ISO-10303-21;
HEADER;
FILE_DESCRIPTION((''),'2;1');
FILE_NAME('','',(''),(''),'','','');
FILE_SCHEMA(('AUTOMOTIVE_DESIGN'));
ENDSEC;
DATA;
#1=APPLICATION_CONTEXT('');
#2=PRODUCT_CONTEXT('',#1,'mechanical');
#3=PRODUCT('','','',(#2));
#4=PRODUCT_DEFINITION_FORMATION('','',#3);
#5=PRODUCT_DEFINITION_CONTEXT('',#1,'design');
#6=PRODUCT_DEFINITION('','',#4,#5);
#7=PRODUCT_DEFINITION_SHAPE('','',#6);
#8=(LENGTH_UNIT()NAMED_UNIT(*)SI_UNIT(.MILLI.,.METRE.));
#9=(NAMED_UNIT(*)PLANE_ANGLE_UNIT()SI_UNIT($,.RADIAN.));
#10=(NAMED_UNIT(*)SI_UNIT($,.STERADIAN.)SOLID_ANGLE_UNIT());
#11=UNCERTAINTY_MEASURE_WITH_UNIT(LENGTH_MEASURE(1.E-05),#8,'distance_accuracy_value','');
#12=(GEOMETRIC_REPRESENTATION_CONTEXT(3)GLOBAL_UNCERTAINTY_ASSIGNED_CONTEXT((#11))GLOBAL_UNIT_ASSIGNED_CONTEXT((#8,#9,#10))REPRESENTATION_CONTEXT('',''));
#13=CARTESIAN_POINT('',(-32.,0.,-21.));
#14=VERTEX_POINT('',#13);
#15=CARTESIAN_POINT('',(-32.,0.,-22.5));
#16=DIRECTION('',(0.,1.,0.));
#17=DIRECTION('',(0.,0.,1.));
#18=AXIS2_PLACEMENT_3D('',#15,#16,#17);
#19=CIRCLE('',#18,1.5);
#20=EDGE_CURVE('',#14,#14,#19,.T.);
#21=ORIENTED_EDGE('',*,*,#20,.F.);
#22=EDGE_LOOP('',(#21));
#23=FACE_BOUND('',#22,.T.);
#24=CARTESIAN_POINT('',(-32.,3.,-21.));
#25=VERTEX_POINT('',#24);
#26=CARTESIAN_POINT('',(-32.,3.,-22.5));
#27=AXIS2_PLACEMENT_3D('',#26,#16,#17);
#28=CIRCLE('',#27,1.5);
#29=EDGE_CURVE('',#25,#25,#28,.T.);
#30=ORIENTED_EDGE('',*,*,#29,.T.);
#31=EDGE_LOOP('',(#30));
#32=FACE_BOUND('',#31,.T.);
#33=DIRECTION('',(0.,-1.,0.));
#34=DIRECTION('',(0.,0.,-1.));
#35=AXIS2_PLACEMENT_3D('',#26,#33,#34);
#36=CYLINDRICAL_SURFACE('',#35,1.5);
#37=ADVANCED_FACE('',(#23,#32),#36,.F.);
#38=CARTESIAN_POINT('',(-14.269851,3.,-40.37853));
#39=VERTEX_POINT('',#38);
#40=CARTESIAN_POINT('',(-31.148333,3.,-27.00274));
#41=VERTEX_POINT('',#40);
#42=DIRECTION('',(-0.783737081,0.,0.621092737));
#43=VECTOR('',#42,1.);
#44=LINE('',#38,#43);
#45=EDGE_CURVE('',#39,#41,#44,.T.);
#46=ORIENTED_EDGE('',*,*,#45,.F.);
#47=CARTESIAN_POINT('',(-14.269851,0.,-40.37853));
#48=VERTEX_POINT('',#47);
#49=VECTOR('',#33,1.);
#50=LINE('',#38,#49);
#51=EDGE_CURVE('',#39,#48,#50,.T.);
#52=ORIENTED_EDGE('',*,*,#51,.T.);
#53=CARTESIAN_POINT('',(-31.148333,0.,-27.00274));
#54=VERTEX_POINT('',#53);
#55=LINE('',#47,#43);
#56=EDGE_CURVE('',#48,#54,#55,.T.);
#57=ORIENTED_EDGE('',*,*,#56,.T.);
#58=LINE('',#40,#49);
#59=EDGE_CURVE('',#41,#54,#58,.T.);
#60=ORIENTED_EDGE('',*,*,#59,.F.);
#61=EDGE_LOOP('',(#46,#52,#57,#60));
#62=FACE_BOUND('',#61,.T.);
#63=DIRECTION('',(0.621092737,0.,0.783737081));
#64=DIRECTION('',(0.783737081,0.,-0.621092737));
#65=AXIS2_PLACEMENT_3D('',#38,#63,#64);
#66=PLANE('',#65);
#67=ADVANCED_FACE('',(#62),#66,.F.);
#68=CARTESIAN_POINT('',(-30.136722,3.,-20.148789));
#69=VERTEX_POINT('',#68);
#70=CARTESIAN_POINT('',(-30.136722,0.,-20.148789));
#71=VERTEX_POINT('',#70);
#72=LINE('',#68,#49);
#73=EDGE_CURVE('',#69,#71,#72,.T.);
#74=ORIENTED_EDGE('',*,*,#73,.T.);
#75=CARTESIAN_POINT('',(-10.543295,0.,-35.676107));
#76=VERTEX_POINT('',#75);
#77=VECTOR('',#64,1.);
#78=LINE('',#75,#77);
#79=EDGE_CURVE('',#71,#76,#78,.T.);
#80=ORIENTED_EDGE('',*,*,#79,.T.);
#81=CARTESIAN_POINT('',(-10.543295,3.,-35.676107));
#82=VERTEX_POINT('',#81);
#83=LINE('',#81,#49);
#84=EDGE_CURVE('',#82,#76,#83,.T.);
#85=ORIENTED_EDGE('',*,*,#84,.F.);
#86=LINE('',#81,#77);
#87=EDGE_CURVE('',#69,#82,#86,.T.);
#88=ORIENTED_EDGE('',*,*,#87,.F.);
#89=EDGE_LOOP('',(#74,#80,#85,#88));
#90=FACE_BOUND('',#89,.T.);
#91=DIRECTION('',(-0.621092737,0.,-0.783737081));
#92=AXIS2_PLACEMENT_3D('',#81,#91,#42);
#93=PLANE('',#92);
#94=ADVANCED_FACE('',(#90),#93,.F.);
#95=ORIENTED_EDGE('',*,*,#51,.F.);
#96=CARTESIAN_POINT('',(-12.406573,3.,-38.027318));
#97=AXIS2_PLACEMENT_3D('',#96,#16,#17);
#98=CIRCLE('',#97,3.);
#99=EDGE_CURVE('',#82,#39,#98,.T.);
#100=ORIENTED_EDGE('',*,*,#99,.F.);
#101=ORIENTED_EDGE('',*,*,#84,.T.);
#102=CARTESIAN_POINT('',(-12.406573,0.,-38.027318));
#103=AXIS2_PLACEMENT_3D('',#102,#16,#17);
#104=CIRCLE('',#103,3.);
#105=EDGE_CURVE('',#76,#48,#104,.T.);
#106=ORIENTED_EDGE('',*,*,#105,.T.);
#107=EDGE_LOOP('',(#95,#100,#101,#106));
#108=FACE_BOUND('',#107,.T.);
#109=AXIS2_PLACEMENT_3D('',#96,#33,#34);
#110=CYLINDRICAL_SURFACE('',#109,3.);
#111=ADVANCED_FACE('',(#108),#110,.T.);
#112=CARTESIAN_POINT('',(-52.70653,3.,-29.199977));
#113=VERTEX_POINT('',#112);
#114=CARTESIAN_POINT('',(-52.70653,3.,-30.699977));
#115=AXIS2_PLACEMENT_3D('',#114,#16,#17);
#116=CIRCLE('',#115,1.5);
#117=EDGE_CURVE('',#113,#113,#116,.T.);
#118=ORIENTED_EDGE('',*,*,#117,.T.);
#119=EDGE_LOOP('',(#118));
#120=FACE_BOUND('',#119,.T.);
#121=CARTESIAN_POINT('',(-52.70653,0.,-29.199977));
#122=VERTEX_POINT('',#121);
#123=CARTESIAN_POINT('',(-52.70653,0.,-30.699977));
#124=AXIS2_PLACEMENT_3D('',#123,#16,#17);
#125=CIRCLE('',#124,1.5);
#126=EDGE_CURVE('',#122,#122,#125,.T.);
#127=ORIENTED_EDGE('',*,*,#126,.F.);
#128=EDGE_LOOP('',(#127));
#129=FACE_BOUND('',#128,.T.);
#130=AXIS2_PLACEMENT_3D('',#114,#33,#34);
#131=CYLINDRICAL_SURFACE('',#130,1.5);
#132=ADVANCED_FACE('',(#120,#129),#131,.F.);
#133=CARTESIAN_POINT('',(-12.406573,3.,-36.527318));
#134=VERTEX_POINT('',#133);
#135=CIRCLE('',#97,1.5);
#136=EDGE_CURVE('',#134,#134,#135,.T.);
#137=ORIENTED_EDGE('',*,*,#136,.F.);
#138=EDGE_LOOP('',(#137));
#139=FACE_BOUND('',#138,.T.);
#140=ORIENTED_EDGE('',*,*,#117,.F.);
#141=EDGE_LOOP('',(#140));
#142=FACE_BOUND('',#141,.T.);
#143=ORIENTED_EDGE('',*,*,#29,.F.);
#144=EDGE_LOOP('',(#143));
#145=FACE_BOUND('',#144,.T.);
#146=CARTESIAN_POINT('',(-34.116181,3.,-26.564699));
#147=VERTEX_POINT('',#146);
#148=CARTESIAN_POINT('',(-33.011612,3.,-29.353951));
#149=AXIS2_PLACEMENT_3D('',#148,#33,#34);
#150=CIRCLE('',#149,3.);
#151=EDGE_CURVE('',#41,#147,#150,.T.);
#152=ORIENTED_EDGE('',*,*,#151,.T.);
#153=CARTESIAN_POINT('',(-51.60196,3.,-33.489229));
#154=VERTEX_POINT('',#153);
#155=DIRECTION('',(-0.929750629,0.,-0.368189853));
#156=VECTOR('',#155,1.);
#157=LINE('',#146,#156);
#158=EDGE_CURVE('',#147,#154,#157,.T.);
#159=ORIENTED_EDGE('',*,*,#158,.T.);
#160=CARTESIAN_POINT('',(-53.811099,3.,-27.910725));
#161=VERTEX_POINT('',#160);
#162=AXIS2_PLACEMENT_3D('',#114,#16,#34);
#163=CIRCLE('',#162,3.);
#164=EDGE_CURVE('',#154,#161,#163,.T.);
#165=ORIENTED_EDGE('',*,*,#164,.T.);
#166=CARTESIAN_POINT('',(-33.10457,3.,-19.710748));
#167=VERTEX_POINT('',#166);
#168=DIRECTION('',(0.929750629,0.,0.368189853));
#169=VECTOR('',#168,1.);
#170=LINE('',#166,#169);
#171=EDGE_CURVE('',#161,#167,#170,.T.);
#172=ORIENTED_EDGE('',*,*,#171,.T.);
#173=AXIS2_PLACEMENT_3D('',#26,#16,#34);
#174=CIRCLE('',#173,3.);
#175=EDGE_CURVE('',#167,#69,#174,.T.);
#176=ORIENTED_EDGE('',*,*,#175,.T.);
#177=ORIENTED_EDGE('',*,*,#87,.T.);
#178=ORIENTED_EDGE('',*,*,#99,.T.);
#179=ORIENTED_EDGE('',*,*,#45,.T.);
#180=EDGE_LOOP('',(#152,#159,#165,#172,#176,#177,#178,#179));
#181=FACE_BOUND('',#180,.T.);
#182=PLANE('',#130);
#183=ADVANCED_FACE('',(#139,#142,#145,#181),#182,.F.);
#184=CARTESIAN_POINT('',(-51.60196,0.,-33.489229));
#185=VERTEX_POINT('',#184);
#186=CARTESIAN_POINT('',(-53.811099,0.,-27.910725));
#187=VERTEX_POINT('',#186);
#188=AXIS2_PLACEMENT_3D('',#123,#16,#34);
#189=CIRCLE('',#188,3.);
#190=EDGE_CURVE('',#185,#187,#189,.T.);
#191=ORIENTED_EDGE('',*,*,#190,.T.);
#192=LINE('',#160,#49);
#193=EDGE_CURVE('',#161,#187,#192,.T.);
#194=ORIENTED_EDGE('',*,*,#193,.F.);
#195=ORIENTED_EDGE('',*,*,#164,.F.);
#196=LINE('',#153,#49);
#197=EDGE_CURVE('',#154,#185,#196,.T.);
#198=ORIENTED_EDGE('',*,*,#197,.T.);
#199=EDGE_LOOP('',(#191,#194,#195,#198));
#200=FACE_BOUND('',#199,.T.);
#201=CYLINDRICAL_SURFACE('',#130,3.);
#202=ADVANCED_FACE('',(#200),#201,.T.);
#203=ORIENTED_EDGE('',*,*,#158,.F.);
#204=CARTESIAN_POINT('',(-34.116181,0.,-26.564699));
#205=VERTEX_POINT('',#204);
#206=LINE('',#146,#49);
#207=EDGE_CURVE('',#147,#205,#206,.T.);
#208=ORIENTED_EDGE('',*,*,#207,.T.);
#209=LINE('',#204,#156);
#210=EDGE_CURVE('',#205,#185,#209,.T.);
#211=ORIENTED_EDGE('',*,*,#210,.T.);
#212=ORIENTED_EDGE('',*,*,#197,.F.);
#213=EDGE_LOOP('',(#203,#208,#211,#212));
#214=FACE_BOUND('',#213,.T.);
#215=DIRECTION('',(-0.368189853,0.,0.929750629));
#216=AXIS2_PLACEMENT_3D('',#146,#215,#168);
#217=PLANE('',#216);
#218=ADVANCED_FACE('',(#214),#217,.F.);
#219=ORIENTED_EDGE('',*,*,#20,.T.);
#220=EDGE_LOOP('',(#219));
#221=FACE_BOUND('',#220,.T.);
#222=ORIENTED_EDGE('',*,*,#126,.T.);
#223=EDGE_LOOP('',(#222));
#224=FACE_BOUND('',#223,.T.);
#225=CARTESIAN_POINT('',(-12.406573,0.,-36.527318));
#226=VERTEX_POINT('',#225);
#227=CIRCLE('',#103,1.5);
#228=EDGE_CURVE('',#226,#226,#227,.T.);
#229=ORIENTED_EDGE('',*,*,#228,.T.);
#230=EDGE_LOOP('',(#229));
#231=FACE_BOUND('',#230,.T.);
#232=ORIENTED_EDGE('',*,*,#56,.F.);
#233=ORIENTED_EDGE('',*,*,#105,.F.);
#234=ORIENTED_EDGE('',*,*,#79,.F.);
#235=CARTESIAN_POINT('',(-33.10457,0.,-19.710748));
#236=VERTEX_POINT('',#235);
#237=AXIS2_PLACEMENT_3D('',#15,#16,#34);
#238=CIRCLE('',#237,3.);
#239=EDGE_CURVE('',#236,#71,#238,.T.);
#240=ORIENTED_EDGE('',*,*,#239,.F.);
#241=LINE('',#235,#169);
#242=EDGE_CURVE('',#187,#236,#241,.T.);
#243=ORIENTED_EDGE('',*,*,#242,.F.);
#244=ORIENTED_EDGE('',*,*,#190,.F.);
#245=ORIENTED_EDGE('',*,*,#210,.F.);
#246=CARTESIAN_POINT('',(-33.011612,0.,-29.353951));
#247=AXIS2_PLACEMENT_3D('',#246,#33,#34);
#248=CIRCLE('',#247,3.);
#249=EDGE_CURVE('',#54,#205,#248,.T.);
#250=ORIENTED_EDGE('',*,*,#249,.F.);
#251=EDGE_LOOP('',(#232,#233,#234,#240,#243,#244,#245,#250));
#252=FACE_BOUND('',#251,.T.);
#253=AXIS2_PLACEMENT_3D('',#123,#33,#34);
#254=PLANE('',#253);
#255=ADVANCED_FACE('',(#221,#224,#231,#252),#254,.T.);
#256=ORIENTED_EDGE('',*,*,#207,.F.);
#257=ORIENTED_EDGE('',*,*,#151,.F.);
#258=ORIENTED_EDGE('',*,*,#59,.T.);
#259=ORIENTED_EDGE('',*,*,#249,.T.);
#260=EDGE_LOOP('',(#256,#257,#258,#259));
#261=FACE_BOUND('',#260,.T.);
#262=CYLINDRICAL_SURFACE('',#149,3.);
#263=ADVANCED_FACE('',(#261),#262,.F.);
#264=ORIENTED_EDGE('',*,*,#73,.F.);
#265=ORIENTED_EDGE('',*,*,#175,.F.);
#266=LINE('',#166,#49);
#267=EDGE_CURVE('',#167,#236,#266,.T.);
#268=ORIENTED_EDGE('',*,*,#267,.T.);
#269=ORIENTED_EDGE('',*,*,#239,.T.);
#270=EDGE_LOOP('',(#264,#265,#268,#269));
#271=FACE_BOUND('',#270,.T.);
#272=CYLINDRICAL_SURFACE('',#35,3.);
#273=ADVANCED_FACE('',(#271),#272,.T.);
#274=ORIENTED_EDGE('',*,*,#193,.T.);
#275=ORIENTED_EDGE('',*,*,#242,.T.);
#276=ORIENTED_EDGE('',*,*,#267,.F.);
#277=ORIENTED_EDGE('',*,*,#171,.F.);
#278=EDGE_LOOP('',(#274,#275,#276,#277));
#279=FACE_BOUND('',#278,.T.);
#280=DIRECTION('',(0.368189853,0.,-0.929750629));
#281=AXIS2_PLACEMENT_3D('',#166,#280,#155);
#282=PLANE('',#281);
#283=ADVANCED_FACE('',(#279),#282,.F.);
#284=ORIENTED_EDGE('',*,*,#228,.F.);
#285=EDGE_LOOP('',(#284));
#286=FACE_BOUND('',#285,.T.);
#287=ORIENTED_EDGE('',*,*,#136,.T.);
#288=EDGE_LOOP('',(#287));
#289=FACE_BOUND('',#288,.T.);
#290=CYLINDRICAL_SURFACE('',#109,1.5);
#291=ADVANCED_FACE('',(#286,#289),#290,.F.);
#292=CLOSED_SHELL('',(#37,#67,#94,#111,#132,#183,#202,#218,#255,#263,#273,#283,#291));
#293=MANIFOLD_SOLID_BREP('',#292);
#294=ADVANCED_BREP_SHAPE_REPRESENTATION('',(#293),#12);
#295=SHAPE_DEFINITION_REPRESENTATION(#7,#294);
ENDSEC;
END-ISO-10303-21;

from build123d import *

# Parameters (mm, degrees)
SKETCH3_R           = 1.5
BOSS_EXTRUDE1_DEPTH = 3


with BuildPart() as part:
    # Sketch3 → Boss-Extrude1 (new body)
    with BuildSketch(Plane(origin=(0, 0, 0), x_dir=(1, 0, 0), z_dir=(0, 1, 0))):
        with BuildLine():
            Line((-14.269851191, 40.378529671), (-31.148333324, 27.002739596))
            ThreePointArc((-31.148333324, 27.002739596), (-32.573570891, 26.386103067), (-34.116181095, 26.564698952))
            Line((-34.116181095, 26.564698952), (-51.601960112, 33.489229262))
            ThreePointArc((-51.601960112, 33.489229262), (-55.495781558, 31.804546936), (-53.811099231, 27.910725489))
            Line((-53.811099231, 27.910725489), (-33.10456956, 19.710748113))
            ThreePointArc((-33.10456956, 19.710748113), (-31.561959356, 19.532152229), (-30.136721789, 20.148788758))
            Line((-30.136721789, 20.148788758), (-10.543294768, 35.676107187))
            ThreePointArc((-10.543294768, 35.676107187), (-10.055361737, 39.890596641), (-14.269851191, 40.378529671))
        make_face()
        with Locations(Location((-32, 22.5, 0), (0, 0, 270))):
            Circle(SKETCH3_R, mode=Mode.SUBTRACT)
        with Locations(Location((-52.706529672, 30.699977376, 0), (0, 0, 270))):
            Circle(SKETCH3_R, mode=Mode.SUBTRACT)
        with Locations(Location((-12.40657298, 38.027318429, 0), (0, 0, 270))):
            Circle(SKETCH3_R, mode=Mode.SUBTRACT)
    extrude(amount=BOSS_EXTRUDE1_DEPTH)


solid = part.part
